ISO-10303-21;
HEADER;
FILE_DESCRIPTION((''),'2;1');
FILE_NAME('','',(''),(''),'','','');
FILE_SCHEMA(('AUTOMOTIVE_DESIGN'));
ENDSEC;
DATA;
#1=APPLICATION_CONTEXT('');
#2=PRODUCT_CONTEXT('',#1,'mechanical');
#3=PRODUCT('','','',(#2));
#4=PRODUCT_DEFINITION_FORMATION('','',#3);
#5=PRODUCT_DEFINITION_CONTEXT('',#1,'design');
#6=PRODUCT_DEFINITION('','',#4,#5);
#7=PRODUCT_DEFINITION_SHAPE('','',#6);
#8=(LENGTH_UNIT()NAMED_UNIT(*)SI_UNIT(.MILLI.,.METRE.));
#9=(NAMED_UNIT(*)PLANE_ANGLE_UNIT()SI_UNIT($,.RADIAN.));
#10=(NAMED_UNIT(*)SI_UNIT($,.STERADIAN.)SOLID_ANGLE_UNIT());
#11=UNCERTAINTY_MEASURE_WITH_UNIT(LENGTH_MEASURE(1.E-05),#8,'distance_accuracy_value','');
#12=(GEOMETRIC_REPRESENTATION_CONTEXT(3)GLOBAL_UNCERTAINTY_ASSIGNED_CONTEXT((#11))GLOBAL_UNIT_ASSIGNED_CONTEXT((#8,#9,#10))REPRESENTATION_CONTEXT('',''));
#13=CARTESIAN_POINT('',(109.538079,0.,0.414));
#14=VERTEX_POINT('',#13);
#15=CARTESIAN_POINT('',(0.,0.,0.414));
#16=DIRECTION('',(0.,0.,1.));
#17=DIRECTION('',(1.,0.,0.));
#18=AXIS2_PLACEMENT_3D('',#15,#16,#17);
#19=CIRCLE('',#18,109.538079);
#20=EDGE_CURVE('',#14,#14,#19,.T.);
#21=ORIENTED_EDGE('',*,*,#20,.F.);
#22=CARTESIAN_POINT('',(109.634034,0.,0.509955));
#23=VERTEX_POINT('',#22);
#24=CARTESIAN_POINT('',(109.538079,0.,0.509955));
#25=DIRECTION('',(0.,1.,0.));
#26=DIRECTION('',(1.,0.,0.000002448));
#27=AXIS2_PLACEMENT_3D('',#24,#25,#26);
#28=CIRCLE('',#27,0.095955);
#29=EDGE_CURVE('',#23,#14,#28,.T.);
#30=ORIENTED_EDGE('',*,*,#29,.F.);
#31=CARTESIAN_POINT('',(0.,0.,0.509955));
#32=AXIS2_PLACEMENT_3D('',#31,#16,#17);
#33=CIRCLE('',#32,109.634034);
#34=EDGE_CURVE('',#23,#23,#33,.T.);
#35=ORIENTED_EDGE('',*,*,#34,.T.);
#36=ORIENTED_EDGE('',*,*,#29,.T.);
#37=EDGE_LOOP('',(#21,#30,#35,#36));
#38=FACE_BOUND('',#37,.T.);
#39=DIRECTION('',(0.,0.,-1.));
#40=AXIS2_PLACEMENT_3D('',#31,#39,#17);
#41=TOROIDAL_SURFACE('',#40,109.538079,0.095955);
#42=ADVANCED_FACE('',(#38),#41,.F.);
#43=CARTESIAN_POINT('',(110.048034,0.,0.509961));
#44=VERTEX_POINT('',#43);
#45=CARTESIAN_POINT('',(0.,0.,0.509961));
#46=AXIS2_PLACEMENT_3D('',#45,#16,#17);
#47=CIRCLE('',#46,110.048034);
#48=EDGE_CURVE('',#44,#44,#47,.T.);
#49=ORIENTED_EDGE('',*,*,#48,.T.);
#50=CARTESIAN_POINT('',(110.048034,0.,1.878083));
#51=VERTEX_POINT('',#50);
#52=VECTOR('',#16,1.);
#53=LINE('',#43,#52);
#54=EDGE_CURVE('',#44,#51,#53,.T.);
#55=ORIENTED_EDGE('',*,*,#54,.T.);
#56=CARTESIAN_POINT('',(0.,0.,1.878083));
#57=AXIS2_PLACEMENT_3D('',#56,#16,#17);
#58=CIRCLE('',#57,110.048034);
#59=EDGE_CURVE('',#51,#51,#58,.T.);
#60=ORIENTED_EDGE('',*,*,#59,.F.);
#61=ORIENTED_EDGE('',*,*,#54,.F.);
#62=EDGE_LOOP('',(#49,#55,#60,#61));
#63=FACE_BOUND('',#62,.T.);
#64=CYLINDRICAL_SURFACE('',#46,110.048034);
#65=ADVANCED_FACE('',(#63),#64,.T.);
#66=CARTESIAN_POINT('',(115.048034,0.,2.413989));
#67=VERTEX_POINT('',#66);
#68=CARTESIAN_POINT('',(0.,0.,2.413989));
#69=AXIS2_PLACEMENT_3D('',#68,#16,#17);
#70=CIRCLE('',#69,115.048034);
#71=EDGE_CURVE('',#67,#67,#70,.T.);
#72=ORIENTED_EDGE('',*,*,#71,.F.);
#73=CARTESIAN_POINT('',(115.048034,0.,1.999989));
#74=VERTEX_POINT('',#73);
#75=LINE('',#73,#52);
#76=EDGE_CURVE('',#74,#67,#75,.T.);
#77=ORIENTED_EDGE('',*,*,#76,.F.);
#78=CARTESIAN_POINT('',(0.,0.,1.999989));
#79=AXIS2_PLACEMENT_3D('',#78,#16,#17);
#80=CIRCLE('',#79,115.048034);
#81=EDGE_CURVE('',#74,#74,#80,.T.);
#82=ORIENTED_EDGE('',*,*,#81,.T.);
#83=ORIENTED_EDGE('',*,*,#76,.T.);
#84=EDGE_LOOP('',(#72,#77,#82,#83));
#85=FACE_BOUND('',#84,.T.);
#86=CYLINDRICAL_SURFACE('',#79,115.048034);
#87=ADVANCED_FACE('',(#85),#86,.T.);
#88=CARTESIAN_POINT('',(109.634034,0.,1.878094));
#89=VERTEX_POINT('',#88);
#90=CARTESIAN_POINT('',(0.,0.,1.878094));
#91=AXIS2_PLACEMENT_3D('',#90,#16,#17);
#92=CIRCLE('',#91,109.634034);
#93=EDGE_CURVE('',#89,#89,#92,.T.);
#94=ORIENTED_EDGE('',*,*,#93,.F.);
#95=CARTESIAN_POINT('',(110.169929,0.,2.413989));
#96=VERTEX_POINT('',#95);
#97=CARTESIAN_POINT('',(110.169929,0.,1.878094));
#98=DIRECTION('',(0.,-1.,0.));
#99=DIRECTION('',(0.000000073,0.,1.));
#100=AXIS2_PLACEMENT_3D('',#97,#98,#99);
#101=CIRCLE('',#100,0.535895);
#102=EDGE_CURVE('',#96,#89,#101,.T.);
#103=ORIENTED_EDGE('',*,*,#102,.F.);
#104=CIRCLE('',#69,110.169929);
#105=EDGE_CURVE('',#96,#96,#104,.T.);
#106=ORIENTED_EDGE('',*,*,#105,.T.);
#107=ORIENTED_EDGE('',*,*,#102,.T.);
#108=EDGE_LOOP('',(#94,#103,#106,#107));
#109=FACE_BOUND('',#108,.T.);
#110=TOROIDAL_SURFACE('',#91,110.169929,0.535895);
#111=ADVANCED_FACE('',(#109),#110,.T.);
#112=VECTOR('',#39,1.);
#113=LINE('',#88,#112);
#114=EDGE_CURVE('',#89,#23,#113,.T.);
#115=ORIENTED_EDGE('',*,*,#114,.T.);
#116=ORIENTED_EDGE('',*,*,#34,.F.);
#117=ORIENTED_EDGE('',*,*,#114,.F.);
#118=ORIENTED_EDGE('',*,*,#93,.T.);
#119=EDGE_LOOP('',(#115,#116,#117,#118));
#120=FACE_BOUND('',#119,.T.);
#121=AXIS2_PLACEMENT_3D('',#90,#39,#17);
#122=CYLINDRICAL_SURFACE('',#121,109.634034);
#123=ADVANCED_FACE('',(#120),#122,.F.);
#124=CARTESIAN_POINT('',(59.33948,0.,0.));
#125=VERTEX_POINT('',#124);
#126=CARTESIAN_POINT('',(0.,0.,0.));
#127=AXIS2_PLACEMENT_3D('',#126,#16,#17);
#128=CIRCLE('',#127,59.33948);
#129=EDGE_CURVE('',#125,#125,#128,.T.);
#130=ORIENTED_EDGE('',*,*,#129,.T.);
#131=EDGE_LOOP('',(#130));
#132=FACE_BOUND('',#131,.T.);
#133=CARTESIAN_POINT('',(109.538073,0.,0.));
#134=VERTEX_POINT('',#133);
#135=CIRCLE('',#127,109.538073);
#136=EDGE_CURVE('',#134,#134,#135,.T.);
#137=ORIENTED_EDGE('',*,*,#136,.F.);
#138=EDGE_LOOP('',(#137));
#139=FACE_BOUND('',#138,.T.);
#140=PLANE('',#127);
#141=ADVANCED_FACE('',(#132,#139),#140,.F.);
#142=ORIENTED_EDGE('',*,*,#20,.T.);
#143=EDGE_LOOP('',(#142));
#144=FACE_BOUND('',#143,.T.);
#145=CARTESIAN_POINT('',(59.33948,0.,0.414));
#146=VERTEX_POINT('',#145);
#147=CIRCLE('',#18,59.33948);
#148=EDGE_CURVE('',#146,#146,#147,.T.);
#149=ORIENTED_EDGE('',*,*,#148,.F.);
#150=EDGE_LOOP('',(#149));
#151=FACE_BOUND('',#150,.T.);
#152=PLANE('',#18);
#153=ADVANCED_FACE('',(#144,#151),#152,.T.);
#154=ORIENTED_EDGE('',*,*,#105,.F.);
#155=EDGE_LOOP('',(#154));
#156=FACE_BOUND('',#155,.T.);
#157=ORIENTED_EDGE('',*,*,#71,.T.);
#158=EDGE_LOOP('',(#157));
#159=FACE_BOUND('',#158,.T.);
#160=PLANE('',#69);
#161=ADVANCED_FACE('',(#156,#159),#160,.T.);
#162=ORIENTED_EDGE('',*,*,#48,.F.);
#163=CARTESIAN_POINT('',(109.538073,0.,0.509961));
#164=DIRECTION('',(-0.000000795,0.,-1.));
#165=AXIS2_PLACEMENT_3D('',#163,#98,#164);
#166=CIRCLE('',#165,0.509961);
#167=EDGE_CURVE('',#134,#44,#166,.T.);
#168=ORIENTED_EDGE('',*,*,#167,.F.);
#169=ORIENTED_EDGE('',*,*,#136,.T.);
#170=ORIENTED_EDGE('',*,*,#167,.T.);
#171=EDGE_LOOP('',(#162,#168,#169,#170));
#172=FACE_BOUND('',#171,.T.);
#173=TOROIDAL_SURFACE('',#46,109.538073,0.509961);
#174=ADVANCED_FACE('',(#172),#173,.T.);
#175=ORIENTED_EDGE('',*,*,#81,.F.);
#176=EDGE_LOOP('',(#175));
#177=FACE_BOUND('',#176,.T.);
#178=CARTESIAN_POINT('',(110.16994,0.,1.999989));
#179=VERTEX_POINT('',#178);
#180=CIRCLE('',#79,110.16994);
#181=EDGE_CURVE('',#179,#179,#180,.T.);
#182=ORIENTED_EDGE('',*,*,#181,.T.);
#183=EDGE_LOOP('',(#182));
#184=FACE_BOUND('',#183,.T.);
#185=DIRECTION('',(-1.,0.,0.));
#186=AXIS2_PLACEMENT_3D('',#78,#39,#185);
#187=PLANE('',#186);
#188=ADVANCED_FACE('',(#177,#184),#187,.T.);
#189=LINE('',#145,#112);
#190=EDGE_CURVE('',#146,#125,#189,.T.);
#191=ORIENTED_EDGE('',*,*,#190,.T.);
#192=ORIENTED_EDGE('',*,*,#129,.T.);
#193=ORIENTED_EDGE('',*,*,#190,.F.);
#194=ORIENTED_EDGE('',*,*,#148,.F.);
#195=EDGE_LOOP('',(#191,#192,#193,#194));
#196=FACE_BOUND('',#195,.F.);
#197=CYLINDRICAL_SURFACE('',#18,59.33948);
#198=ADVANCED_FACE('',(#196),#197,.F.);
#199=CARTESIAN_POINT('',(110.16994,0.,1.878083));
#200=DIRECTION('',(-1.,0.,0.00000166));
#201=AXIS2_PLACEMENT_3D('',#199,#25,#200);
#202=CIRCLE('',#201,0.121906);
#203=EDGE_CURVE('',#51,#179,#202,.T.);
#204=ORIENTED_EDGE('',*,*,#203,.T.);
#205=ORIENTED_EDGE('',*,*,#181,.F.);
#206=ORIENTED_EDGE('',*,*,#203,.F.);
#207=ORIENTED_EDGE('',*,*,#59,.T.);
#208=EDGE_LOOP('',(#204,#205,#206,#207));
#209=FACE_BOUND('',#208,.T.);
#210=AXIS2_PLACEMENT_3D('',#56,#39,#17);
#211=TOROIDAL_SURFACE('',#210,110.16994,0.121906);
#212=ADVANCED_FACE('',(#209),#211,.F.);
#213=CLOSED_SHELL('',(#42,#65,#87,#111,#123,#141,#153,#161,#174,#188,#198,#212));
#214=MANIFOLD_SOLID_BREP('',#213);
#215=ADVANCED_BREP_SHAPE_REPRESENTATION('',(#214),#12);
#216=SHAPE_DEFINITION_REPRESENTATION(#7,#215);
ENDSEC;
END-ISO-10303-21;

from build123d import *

# Parameters (mm, degrees)
F2_R     = 59.33948
F3_DEPTH = 25.4


with BuildPart() as f1:
    # F0 (on Front) → F1 (revolve)
    with BuildSketch(Plane.XZ):
        with BuildLine():
            Line((0, 0.414), (0, 0))
            Line((0, 0), (109.538073, 0))
            ThreePointArc((109.538073, 0), (109.89867, 0.149364), (110.048034, 0.509961))
            Line((110.048034, 0.509961), (110.048034, 1.878083))
            ThreePointArc((110.048034, 1.878083), (110.08374, 1.964284), (110.16994, 1.999989))
            Line((110.16994, 1.999989), (110.827769, 1.999989))
            Line((110.827769, 1.999989), (115.048034, 1.999989))
            Line((115.048034, 1.999989), (115.048034, 2.413989))
            Line((115.048034, 2.413989), (110.169929, 2.413989))
            ThreePointArc((110.169929, 2.413989), (109.790994, 2.257029), (109.634034, 1.878094))
            Line((109.634034, 1.878094), (109.634034, 0.509955))
            ThreePointArc((109.634034, 0.509955), (109.60593, 0.442105), (109.538079, 0.414))
            Line((109.538079, 0.414), (0, 0.414))
        make_face()
    revolve(axis=Axis((0, 0, 0.207), (0, 0, 1)))

    # F2 (on face) → F3 (cut)
    with BuildSketch(Plane.XY.offset(0.414)):
        Circle(F2_R)
    extrude(amount=-F3_DEPTH, mode=Mode.SUBTRACT)


solid = f1.part
